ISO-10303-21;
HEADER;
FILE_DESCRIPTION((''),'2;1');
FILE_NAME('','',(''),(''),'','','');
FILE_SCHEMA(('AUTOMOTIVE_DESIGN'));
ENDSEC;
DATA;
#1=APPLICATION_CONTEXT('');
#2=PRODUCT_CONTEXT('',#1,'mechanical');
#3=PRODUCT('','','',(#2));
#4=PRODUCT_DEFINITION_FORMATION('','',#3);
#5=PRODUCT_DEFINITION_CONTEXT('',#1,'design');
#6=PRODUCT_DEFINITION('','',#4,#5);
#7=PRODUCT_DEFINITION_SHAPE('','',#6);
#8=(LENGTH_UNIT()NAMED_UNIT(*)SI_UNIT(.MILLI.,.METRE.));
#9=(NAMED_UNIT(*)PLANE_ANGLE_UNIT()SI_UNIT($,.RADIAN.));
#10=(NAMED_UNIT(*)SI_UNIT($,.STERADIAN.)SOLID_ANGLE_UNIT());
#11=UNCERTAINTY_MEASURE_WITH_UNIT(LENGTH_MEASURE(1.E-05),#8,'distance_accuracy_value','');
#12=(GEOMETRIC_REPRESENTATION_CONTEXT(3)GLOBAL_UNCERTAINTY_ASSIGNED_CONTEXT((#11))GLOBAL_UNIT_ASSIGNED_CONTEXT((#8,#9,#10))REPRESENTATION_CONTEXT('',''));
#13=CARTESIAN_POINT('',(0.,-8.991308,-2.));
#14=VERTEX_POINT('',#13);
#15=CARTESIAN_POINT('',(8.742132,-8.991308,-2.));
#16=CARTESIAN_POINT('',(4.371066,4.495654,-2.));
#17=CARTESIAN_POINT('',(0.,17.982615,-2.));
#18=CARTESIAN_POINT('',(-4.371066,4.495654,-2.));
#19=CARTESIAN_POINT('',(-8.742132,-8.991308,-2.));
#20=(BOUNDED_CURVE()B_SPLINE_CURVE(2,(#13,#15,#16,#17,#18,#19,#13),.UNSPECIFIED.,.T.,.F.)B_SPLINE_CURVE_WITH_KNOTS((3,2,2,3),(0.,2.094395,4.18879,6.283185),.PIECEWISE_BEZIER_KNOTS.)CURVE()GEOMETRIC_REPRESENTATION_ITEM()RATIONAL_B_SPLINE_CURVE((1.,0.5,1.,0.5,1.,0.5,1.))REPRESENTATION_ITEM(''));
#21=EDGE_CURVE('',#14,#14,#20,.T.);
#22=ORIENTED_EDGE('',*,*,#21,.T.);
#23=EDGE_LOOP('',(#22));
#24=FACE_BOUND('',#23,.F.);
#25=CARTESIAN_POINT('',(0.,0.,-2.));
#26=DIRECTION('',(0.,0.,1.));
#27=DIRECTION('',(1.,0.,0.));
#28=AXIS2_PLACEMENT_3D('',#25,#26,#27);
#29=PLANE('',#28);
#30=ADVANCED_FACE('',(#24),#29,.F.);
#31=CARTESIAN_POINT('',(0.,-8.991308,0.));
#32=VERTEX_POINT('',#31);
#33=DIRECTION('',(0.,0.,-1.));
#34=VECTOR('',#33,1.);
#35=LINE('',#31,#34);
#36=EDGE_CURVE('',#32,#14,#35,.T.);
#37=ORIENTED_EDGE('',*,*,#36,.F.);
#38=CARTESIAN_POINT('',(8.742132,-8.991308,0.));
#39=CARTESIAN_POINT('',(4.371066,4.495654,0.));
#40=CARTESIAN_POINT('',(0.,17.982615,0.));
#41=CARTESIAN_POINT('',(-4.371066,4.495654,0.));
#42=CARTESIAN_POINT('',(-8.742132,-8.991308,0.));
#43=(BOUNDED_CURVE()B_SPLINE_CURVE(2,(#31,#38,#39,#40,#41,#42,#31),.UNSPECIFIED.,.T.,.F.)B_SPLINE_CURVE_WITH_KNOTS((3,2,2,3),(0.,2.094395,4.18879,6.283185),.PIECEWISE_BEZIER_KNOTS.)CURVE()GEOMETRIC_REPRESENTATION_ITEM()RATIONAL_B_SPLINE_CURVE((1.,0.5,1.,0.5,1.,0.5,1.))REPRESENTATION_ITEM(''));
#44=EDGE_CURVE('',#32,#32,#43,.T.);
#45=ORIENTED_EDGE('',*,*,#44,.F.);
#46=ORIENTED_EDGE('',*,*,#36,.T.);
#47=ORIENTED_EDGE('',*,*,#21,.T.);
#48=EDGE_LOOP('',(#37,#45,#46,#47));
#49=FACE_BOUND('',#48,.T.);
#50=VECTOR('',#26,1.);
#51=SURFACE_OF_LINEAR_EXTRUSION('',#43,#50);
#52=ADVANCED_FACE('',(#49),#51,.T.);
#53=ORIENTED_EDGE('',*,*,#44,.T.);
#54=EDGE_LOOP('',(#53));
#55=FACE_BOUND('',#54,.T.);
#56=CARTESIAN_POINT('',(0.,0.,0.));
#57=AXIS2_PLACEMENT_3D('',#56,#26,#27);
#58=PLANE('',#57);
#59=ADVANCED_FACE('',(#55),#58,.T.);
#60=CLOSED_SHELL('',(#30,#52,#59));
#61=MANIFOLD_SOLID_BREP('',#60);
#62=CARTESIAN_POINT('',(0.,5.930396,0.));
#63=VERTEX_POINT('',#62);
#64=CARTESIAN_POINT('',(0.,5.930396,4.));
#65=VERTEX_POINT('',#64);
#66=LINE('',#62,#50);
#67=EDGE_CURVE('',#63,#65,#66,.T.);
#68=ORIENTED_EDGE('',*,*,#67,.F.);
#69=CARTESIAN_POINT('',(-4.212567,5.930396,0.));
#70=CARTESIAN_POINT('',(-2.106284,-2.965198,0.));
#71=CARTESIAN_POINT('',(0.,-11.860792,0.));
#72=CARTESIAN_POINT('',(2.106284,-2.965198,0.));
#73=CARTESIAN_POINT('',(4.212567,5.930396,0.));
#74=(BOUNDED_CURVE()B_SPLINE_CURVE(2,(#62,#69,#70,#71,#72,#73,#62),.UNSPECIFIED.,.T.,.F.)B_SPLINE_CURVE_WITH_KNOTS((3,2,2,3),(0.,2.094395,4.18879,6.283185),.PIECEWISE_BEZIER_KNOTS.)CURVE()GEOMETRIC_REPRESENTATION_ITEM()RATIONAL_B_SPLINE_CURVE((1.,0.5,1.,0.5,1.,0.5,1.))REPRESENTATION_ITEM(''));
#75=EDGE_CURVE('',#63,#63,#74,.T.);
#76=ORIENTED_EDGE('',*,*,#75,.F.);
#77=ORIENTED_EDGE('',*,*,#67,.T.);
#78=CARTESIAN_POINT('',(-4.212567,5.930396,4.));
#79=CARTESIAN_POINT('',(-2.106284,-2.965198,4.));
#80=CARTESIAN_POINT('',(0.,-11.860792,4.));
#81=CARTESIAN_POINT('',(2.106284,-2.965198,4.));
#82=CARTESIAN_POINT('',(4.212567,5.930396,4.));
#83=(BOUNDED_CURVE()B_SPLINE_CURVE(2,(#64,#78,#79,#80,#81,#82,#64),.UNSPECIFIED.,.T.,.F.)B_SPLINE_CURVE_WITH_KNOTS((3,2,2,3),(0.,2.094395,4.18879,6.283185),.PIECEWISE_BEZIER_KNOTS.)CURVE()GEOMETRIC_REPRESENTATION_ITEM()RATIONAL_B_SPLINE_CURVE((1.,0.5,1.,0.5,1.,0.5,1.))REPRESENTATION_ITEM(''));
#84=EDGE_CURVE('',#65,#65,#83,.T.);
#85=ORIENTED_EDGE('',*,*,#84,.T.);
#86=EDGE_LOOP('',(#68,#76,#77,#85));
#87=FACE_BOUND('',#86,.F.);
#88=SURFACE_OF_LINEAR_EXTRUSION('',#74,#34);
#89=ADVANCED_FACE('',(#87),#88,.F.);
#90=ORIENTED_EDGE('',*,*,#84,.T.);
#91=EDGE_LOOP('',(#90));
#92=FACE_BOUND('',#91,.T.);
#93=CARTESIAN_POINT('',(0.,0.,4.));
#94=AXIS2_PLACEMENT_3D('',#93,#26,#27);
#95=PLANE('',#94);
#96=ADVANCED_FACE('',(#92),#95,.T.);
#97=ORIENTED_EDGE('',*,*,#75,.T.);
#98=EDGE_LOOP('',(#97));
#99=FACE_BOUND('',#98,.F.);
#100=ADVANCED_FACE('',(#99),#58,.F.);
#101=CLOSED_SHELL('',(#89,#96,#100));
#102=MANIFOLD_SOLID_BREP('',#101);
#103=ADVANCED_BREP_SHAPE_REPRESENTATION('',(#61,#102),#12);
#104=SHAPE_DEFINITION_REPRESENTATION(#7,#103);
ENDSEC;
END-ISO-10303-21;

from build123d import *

# Parameters (mm, degrees)
F1_DEPTH = 4
F3_DEPTH = 2


with BuildPart() as f1:
    # F0 (on Top) → F1 (new body)
    with BuildSketch(Plane.XY):
        with BuildLine():
            add(Edge.make_bspline(
                [(0, 5.930396), (-4.212567, 5.930396), (-2.106284, -2.965198), (0, -11.860792), (2.106284, -2.965198), (4.212567, 5.930396), (0, 5.930396)],
                knots=[0, 0, 0, 2.094395, 2.094395, 4.18879, 4.18879, 6.283185, 6.283185, 6.283185], degree=2, weights=[1, 0.5, 1, 0.5, 1, 0.5, 1]))
        make_face()
    extrude(amount=F1_DEPTH)


with BuildPart() as f3:
    # F2 (on Top) → F3 (new body)
    with BuildSketch(Plane.XY):
        with BuildLine():
            add(Edge.make_bspline(
                [(0, -8.991308), (8.742132, -8.991308), (4.371066, 4.495654), (0, 17.982615), (-4.371066, 4.495654), (-8.742132, -8.991308), (0, -8.991308)],
                knots=[0, 0, 0, 2.094395, 2.094395, 4.18879, 4.18879, 6.283185, 6.283185, 6.283185], degree=2, weights=[1, 0.5, 1, 0.5, 1, 0.5, 1]))
        make_face()
    extrude(amount=-F3_DEPTH)


solid = Compound([f1.part, f3.part])
